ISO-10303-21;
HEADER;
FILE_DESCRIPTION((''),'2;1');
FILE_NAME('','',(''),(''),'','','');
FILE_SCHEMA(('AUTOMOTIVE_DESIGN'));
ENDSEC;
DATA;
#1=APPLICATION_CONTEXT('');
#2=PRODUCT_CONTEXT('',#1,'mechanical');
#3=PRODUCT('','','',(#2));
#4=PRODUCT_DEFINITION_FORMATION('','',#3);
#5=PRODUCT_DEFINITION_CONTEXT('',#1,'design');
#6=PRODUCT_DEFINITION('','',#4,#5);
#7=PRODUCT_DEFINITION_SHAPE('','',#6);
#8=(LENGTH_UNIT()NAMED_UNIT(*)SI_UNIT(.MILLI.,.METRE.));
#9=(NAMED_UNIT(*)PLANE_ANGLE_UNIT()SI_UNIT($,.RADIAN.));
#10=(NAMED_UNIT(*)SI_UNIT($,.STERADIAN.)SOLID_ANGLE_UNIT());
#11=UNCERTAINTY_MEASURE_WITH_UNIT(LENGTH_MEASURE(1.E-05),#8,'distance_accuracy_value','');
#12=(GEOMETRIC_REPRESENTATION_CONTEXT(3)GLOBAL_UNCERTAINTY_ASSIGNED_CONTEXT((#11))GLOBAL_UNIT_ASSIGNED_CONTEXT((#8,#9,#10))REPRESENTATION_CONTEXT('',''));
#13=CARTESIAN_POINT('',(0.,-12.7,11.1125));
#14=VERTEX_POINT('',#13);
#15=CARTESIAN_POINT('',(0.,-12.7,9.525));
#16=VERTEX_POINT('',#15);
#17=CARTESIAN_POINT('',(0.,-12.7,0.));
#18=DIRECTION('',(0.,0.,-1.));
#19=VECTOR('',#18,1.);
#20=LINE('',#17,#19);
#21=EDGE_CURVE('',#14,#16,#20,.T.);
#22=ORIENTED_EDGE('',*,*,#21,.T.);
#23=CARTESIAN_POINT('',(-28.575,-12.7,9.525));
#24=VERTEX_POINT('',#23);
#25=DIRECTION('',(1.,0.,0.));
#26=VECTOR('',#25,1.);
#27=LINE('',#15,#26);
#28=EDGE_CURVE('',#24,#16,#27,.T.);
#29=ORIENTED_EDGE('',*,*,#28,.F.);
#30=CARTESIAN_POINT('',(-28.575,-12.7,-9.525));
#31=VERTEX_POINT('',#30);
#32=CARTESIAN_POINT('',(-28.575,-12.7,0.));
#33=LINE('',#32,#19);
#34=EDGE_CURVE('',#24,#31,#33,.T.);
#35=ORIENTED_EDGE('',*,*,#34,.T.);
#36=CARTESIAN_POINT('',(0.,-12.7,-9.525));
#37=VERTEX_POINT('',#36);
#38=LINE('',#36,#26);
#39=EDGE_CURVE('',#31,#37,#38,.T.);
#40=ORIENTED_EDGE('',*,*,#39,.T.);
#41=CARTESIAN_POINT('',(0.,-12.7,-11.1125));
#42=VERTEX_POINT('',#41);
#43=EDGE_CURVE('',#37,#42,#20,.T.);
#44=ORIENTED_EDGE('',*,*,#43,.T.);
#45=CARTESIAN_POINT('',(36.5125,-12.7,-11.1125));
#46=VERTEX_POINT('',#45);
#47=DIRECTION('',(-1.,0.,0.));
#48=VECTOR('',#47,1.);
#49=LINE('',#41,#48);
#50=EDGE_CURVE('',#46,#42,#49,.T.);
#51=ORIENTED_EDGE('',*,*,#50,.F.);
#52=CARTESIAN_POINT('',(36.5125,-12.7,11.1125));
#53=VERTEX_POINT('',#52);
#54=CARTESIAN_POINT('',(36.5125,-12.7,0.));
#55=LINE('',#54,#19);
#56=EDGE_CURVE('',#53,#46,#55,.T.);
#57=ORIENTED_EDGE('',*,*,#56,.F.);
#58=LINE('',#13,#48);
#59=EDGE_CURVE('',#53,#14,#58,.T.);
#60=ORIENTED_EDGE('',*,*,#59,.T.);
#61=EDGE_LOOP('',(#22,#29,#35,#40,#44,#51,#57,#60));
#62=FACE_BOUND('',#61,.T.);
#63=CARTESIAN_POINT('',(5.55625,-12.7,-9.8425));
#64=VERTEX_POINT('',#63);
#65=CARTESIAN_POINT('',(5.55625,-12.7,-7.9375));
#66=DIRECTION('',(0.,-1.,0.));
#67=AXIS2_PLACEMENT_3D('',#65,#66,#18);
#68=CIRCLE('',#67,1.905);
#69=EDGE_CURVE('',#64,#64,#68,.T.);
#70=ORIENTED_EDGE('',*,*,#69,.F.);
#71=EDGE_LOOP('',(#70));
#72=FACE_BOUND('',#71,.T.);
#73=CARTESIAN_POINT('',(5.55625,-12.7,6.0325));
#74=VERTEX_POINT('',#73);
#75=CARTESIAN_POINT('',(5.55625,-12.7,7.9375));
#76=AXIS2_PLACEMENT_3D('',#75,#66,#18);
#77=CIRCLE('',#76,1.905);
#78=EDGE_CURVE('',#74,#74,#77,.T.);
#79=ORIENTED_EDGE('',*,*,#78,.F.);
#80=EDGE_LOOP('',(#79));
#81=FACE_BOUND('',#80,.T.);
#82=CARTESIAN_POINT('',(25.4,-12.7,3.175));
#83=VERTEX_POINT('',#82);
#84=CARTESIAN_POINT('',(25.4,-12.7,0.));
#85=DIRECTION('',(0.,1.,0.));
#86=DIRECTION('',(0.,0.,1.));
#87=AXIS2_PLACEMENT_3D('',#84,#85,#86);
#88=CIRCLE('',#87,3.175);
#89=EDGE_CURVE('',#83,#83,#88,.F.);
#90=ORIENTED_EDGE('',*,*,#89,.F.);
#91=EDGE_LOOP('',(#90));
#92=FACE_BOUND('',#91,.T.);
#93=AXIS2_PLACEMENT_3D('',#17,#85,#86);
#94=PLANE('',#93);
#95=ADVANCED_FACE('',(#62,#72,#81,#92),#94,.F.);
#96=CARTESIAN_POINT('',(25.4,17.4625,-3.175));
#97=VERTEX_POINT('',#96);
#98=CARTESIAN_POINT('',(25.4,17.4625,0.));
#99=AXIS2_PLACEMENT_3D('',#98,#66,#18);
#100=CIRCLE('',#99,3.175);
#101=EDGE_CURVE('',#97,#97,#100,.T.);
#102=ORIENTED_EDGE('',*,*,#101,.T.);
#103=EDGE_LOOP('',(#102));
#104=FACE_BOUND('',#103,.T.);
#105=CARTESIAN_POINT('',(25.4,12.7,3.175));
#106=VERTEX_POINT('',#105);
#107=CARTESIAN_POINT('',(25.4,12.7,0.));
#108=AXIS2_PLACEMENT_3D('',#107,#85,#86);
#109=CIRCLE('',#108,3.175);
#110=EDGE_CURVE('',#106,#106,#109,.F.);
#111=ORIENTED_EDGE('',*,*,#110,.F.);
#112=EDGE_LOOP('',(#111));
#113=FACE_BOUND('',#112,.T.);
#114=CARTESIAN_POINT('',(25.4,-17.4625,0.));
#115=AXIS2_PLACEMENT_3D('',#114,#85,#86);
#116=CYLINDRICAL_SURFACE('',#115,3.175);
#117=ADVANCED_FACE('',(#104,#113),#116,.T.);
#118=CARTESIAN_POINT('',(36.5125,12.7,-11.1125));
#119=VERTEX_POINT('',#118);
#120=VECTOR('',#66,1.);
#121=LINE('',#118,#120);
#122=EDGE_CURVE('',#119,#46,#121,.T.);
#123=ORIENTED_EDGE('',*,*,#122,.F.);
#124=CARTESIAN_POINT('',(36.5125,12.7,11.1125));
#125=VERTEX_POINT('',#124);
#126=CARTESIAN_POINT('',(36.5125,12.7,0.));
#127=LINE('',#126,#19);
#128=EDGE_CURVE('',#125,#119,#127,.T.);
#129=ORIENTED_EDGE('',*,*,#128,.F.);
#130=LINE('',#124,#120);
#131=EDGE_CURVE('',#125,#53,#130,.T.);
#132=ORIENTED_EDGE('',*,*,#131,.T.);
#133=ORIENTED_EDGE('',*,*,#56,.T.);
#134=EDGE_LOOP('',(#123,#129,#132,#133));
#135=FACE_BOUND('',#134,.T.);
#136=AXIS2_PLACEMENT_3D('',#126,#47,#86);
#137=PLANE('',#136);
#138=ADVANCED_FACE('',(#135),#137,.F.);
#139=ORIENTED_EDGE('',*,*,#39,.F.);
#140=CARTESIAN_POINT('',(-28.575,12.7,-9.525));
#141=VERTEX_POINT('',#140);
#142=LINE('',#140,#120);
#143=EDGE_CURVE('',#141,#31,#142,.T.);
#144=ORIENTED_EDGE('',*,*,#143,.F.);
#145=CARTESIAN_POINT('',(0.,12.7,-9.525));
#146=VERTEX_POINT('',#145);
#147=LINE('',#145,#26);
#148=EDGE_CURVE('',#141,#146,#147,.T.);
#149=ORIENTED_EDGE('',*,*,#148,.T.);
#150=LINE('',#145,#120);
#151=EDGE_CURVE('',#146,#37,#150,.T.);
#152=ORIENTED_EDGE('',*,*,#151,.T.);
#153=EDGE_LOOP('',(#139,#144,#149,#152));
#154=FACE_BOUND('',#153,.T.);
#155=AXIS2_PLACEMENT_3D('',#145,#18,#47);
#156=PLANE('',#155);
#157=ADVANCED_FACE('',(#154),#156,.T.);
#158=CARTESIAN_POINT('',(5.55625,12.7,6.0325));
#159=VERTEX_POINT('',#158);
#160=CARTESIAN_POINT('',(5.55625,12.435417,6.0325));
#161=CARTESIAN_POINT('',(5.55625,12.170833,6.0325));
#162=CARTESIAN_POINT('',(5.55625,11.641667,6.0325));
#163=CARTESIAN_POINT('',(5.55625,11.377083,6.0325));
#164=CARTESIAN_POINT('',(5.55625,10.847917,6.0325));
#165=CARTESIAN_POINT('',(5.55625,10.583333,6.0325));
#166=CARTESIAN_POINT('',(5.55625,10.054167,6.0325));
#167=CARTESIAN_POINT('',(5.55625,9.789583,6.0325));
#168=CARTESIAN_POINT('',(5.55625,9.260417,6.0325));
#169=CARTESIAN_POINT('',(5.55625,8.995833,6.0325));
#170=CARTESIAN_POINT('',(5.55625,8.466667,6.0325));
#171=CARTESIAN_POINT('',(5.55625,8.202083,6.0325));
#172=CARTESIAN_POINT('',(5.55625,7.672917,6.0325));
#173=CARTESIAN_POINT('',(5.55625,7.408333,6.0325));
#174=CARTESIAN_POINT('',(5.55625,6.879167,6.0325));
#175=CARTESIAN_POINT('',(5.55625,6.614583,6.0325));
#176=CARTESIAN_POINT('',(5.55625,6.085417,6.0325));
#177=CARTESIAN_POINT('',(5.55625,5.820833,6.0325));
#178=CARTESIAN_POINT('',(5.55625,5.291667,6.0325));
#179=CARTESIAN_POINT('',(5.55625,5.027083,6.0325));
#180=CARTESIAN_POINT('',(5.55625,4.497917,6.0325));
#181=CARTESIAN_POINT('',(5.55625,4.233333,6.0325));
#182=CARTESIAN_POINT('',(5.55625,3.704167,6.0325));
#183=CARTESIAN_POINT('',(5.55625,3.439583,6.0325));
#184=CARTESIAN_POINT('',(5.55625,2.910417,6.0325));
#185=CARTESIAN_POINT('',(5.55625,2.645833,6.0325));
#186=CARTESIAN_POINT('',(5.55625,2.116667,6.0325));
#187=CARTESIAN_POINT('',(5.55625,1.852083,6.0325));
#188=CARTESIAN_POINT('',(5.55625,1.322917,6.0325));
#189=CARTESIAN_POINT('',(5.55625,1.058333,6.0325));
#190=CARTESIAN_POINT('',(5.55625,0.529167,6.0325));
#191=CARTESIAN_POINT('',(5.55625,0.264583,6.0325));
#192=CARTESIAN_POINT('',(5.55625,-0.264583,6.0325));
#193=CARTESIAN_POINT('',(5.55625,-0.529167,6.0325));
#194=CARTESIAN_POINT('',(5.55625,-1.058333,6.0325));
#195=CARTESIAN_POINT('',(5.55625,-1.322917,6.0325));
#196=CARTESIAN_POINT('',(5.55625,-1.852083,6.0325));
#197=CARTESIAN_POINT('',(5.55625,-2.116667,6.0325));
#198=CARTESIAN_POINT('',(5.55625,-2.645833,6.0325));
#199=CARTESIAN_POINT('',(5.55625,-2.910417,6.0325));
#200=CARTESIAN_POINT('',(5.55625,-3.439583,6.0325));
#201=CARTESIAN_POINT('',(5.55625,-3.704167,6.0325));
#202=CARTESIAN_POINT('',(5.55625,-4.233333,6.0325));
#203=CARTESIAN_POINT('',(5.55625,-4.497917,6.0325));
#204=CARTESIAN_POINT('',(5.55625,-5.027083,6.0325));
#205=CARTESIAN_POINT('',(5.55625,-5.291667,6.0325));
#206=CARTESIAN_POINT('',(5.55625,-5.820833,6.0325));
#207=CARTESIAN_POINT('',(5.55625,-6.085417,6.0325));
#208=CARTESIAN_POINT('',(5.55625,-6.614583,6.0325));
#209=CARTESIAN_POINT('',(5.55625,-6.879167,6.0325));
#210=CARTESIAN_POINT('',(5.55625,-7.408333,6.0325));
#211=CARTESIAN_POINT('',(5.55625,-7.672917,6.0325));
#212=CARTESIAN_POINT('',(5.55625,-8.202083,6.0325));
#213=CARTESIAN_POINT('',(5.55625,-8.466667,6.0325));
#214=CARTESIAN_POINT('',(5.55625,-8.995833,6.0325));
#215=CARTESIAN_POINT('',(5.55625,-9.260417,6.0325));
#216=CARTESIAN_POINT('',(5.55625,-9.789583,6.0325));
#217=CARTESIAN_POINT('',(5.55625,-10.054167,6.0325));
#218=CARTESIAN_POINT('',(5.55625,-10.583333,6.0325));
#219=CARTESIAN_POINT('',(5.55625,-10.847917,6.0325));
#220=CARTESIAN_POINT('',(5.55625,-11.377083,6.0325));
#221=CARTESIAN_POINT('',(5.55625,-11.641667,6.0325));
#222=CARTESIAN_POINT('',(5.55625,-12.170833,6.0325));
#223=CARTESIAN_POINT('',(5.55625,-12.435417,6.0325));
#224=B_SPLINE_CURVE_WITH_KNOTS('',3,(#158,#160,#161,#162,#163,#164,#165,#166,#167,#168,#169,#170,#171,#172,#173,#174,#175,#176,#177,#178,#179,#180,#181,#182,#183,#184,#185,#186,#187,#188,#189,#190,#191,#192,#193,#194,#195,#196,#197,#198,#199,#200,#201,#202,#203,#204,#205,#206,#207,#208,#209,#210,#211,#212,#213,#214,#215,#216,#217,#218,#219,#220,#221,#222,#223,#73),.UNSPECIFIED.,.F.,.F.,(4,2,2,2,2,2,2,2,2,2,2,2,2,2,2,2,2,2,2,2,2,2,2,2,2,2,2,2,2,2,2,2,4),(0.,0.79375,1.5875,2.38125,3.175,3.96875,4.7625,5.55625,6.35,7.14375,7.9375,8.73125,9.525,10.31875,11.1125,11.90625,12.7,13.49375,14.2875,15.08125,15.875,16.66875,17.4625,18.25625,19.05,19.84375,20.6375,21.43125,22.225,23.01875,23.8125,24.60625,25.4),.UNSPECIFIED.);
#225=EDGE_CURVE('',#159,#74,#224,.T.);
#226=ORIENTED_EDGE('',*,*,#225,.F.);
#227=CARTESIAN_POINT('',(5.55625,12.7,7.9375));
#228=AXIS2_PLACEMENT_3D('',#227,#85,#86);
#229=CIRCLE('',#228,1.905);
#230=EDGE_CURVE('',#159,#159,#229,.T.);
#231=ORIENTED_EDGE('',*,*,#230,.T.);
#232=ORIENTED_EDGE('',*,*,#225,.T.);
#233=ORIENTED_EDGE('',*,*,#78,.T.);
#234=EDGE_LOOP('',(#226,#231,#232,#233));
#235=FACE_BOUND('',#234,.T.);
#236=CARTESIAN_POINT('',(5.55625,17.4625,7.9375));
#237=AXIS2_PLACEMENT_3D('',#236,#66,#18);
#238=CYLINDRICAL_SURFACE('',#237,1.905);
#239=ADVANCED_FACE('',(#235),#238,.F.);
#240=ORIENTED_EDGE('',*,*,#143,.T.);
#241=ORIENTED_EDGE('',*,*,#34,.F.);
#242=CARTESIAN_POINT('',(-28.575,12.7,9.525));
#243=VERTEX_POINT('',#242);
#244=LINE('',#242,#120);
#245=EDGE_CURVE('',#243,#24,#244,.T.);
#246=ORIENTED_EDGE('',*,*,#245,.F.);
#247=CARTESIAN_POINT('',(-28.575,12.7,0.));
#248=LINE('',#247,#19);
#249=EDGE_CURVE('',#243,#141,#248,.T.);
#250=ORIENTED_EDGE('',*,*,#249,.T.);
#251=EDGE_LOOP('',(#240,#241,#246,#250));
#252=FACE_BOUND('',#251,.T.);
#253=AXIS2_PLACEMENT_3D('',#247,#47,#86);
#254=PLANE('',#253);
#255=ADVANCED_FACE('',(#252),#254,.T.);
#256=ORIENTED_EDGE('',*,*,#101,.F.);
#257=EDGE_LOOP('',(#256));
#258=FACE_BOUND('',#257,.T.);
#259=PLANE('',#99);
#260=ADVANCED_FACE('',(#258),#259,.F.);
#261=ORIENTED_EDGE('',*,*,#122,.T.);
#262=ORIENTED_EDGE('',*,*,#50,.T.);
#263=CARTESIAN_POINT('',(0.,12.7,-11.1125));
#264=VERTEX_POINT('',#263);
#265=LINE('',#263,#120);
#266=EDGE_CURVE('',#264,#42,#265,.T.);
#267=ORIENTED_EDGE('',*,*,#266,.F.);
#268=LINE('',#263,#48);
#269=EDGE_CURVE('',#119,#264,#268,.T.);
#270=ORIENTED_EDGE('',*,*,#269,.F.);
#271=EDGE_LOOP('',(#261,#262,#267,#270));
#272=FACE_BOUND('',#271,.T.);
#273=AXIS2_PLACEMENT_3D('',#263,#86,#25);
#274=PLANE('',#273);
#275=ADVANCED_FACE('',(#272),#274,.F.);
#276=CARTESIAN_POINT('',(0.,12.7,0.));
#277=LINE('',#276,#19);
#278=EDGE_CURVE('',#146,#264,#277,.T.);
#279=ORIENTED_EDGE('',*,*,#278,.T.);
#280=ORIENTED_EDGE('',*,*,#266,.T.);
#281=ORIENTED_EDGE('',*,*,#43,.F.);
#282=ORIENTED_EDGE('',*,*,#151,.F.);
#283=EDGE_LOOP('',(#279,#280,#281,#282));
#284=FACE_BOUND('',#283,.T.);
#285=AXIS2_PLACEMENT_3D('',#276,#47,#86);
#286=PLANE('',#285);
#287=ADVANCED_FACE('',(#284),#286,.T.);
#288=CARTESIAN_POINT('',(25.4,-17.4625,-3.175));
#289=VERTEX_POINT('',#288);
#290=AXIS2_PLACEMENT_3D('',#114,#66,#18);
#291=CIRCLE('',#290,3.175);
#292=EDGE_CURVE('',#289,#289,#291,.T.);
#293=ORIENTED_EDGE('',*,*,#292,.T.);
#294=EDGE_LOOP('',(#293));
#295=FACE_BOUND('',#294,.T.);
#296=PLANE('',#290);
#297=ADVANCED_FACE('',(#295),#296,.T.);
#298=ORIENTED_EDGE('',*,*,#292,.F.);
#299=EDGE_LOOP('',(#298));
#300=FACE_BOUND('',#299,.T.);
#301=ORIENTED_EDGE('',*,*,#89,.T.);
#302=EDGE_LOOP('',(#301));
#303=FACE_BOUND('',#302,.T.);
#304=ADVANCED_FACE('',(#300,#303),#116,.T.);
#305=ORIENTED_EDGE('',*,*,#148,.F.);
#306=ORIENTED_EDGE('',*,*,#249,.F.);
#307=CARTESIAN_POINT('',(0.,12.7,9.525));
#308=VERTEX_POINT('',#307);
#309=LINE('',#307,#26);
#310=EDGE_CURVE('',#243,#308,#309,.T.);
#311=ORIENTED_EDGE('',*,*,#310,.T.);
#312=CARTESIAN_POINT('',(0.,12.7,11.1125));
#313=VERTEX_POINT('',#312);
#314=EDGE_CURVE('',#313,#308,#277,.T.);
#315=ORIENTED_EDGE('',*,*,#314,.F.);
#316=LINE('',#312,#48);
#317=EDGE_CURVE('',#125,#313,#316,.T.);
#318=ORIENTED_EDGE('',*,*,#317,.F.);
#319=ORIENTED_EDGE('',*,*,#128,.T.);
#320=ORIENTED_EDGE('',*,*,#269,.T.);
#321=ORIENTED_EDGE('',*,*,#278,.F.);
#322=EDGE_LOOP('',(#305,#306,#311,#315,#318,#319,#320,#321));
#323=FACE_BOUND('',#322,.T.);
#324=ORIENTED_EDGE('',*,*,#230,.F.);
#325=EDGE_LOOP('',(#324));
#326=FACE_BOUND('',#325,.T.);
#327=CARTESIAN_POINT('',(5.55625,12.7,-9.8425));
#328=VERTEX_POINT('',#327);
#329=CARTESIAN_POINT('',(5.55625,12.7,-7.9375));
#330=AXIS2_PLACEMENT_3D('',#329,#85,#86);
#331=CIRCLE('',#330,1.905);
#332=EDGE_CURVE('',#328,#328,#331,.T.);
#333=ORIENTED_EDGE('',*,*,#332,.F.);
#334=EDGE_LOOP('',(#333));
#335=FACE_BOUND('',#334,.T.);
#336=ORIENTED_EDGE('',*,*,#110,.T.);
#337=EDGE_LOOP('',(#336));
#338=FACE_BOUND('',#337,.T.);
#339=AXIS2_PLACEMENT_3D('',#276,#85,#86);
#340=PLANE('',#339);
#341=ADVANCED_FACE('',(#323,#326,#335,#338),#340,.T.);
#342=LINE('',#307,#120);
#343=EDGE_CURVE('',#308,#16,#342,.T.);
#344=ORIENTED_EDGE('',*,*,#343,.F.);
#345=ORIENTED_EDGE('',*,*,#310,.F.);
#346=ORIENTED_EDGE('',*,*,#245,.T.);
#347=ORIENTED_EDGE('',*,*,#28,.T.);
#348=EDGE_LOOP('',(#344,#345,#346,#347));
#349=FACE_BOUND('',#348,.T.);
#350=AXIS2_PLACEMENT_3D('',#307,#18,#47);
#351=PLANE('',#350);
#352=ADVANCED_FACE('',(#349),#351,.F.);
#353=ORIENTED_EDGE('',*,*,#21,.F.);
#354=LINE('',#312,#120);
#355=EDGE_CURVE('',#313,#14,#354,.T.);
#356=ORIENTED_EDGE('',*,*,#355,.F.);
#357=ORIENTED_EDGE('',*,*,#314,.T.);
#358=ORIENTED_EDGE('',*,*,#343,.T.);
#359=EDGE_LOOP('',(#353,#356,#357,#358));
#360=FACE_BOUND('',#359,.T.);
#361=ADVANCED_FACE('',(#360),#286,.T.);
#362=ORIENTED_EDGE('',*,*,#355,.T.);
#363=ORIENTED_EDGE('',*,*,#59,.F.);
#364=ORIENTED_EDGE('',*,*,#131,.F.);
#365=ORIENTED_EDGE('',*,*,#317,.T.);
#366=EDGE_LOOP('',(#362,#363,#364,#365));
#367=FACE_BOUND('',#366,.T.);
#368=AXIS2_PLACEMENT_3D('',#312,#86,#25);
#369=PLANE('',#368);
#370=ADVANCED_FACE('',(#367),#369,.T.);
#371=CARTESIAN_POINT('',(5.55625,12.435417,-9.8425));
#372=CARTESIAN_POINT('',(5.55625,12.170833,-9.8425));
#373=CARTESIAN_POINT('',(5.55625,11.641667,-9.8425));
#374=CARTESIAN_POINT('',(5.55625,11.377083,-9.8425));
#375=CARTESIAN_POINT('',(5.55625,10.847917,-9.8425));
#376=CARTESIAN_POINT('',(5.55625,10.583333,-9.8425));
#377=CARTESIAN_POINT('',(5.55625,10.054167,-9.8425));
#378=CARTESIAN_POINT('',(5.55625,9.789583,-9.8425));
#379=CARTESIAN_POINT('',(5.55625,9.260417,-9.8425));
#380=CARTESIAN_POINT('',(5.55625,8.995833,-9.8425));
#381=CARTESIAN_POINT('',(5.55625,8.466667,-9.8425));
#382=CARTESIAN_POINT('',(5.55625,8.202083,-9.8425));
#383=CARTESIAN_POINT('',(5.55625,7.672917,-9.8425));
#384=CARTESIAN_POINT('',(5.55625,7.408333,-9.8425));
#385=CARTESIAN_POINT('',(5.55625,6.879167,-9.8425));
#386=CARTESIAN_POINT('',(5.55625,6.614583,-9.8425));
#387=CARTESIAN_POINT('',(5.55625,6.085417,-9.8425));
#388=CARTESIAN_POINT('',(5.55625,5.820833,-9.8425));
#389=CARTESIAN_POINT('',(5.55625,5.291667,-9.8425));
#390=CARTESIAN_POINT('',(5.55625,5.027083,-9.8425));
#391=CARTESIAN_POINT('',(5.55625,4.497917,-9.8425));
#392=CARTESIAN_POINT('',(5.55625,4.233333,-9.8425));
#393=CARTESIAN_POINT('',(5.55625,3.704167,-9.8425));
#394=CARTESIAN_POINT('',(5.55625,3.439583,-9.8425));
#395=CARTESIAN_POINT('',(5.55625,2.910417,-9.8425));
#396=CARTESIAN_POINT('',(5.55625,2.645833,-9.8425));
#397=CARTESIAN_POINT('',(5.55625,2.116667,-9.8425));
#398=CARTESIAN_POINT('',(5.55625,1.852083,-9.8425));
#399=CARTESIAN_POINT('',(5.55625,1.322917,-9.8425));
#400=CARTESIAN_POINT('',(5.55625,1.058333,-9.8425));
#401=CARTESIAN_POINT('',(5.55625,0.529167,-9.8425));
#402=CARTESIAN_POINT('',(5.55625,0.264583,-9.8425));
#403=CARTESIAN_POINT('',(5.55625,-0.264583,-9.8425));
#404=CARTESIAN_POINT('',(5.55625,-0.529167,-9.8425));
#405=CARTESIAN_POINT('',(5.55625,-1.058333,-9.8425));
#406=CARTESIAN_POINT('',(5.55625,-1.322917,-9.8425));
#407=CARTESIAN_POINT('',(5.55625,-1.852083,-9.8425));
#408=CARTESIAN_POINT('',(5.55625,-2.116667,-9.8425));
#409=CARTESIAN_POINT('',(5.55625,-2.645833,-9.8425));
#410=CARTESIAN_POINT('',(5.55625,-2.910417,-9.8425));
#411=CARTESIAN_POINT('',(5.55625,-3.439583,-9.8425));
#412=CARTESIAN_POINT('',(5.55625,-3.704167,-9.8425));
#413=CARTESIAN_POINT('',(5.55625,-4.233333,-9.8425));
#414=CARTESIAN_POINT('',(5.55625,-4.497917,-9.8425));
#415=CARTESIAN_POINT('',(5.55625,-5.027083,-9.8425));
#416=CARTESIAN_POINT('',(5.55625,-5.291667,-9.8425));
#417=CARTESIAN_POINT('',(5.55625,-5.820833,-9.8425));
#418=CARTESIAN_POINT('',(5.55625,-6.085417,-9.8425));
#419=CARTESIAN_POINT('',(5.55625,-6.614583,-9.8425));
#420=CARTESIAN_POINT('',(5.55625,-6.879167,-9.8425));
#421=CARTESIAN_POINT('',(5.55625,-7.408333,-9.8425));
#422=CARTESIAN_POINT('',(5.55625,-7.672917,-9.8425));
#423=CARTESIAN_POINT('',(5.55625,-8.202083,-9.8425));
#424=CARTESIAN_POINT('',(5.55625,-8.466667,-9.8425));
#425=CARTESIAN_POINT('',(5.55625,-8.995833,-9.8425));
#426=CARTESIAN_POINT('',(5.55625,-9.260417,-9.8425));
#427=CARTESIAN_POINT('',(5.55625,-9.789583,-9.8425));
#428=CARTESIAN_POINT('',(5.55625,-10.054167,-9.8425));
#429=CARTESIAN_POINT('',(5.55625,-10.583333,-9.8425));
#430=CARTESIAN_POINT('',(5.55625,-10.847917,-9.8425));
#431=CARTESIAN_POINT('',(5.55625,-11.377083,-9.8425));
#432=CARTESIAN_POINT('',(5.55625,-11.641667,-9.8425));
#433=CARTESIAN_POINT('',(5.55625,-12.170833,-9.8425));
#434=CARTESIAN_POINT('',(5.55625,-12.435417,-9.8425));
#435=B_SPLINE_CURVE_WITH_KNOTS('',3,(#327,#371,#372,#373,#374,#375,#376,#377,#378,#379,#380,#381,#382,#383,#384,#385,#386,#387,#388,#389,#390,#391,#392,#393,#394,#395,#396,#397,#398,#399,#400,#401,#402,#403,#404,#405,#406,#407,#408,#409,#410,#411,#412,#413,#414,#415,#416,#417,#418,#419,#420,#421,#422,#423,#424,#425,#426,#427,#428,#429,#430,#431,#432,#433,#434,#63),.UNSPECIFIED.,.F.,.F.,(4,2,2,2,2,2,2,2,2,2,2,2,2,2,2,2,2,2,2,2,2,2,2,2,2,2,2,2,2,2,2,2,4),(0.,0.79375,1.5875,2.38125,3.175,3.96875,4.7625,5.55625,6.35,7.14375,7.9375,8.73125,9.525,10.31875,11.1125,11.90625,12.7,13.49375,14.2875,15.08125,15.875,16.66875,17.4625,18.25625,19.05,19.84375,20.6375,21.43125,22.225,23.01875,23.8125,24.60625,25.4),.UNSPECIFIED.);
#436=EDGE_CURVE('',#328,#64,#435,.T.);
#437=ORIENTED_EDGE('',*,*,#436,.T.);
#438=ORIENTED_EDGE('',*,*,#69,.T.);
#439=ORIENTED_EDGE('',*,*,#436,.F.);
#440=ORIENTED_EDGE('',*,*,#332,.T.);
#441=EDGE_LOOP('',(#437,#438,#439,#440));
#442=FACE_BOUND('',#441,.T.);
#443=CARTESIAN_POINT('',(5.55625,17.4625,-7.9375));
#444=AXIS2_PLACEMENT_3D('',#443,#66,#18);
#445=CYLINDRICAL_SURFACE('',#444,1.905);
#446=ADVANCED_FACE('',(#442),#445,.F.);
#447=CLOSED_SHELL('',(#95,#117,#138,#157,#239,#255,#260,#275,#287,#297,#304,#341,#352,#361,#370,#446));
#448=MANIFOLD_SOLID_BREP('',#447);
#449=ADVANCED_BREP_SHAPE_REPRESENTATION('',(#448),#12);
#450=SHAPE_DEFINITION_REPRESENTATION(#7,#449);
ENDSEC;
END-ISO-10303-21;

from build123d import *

# Parameters (mm, degrees)
SKETCH1_W           = 28.575
SKETCH1_H           = 19.05
BOSS_EXTRUDE1_DEPTH = 12.7
SKETCH2_R           = 3.175
BOSS_EXTRUDE2_DEPTH = 17.4625
SKETCH3_R           = 1.905
CUT_EXTRUDE1_DEPTH  = 49.645932191


with BuildPart() as part:
    # Sketch1 → Boss-Extrude1 (new, symmetric)
    with BuildSketch(Plane(origin=(0, 0, 0), x_dir=(1, 0, 0), z_dir=(0, 1, 0))):
        with Locations((-14.2875, 0)):
            Rectangle(SKETCH1_W, SKETCH1_H)
        Polygon((0, 9.525), (0, -9.525), (0, -11.1125), (36.5125, -11.1125), (36.5125, 11.1125), (0, 11.1125), align=None)
    extrude(amount=BOSS_EXTRUDE1_DEPTH, both=True)

    # Sketch2 → Boss-Extrude2 (add, symmetric)
    with BuildSketch(Plane.XZ):
        with Locations(Location((25.4, 0, 0), (0, 0, 90))):
            Circle(SKETCH2_R)
    extrude(amount=BOSS_EXTRUDE2_DEPTH, both=True)

    # Sketch3 → Cut-Extrude1 (cut, through all)
    with BuildSketch(Plane.XZ.offset(12.7)):
        with Locations(Location((5.55625, 7.9375, 0), (0, 0, 270))):
            Circle(SKETCH3_R)
        with Locations(Location((5.55625, -7.9375, 0), (0, 0, 270))):
            Circle(SKETCH3_R)
    extrude(amount=-CUT_EXTRUDE1_DEPTH, mode=Mode.SUBTRACT)


solid = part.part
